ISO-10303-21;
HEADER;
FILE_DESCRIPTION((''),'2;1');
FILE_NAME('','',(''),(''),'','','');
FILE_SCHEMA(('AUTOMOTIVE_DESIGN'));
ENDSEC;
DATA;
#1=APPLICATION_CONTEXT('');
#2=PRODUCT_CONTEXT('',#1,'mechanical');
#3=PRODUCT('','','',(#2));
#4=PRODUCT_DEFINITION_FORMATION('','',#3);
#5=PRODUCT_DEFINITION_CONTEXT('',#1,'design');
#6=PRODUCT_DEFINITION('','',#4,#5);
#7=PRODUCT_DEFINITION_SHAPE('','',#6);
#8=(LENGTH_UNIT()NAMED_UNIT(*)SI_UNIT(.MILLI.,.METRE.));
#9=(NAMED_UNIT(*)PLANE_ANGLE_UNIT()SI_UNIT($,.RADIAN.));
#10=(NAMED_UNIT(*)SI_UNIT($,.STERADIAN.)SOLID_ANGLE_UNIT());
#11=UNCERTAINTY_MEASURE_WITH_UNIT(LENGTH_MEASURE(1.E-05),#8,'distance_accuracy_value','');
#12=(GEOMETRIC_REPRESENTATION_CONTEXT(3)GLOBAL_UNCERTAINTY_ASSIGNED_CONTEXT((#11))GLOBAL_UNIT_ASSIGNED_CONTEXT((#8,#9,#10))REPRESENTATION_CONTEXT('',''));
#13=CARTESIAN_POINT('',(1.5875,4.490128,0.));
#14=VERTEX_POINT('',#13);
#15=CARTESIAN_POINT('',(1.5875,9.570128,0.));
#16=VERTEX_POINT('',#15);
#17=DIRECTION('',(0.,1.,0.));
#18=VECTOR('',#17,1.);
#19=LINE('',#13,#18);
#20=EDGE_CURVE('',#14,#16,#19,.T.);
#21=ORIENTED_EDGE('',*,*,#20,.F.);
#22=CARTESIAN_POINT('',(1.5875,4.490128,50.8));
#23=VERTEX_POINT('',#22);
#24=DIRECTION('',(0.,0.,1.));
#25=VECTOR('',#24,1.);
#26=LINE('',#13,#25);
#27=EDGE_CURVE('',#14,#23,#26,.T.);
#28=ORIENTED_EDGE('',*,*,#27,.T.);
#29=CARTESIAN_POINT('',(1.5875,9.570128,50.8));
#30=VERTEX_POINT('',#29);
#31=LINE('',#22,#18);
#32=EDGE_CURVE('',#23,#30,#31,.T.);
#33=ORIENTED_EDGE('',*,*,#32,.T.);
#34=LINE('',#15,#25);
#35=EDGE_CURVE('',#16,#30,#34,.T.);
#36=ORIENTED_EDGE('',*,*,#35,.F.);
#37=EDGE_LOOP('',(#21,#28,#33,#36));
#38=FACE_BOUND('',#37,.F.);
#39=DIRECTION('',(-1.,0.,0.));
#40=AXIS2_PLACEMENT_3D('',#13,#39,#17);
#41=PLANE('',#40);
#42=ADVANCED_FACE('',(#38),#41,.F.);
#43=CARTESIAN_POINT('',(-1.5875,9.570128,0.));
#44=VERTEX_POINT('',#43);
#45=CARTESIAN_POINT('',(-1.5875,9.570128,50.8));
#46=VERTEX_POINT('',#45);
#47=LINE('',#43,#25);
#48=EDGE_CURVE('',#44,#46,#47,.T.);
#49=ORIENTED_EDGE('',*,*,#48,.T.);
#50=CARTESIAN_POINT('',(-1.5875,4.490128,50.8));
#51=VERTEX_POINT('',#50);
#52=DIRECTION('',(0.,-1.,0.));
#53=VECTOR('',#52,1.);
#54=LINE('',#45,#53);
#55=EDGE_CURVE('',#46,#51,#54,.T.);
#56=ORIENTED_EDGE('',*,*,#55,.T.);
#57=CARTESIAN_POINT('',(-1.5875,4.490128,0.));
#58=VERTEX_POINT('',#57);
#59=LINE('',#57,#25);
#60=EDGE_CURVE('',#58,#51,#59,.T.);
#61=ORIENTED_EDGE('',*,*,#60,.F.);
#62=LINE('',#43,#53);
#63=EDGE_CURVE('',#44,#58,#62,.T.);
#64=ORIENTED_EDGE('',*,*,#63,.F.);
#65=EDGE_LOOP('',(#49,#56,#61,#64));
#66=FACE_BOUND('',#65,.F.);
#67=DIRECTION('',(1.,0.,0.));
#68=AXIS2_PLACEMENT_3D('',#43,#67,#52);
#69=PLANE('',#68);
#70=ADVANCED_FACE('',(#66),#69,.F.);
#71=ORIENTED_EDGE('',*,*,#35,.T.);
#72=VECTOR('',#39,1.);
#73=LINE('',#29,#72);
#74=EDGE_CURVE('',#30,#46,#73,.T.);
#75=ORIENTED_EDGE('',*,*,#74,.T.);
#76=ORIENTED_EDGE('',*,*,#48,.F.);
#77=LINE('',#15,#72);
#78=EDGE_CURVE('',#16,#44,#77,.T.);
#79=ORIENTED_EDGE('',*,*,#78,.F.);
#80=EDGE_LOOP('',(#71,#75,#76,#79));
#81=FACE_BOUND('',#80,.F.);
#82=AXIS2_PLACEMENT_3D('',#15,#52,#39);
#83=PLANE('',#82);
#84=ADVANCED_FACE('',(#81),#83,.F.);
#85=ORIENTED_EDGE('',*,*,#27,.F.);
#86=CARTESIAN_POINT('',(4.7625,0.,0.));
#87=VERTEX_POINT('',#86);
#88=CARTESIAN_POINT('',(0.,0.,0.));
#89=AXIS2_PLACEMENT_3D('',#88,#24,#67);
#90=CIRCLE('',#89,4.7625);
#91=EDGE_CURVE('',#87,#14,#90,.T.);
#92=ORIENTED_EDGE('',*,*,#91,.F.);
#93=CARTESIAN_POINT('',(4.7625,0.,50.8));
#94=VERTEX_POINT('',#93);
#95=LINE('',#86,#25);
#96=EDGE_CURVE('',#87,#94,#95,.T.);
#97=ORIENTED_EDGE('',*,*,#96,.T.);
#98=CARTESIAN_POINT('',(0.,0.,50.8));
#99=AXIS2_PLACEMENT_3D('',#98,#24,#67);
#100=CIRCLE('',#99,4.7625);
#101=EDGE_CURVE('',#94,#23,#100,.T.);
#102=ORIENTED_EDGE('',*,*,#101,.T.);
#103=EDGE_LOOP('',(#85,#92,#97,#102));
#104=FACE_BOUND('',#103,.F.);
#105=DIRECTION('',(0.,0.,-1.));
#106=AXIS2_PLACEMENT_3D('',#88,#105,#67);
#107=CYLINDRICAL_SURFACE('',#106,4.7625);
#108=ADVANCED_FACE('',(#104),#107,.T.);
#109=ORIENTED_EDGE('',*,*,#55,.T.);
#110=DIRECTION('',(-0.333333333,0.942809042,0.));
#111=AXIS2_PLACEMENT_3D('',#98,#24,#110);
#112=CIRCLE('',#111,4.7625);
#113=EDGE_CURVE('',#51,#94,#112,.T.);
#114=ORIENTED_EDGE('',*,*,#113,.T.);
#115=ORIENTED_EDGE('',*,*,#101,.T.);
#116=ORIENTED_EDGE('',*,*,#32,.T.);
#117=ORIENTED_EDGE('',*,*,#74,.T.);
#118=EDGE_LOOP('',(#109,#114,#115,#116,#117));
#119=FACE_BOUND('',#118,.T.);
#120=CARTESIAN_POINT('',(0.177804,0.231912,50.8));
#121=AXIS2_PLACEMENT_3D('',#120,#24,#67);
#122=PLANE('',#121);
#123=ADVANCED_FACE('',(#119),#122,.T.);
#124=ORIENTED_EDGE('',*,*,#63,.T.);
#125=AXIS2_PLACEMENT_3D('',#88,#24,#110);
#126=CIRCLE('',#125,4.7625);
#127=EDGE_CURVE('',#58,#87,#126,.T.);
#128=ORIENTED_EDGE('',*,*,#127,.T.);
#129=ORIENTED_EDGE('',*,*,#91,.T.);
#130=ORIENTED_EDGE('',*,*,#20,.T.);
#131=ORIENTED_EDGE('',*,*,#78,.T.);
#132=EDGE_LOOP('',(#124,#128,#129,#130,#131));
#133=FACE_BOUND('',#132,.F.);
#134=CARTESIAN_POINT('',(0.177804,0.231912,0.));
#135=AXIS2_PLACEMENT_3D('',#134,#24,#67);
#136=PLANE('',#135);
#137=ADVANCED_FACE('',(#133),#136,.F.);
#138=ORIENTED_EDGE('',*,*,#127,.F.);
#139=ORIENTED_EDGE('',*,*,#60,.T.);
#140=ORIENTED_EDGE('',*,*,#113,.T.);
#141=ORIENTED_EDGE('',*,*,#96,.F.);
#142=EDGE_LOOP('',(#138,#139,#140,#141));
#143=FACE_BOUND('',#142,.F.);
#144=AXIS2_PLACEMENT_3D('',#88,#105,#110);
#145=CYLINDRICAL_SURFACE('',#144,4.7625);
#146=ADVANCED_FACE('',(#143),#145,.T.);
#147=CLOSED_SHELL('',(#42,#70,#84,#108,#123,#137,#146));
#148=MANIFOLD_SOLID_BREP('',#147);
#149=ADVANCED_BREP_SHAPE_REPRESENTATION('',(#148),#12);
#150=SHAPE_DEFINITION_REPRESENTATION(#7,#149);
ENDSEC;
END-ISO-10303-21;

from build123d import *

# Parameters (mm, degrees)
F1_DEPTH = 50.8


with BuildPart() as f1:
    # F0 (on Top) → F1 (new body)
    with BuildSketch(Plane.XY):
        with BuildLine():
            ThreePointArc((-1.5875, 4.4901280605), (-2.749630657, -3.8885649667), (4.7625, 0))
            ThreePointArc((4.7625, 0), (3.8885649667, 2.749630657), (1.5875, 4.4901280605))
            Line((1.5875, 4.4901280605), (-1.5875, 4.4901280605))
        make_face()
        with BuildLine():
            Line((-1.5875, 4.4901280605), (1.5875, 4.4901280605))
            ThreePointArc((1.5875, 4.4901280605), (0, 4.7625), (-1.5875, 4.4901280605))
        make_face()
        with BuildLine():
            ThreePointArc((-1.5875, 4.4901280605), (0, 4.7625), (1.5875, 4.4901280605))
            Line((1.5875, 4.4901280605), (1.5875, 9.5701280605))
            Line((1.5875, 9.5701280605), (-1.5875, 9.5701280605))
            Line((-1.5875, 9.5701280605), (-1.5875, 4.4901280605))
        make_face()
    extrude(amount=F1_DEPTH)


solid = f1.part
